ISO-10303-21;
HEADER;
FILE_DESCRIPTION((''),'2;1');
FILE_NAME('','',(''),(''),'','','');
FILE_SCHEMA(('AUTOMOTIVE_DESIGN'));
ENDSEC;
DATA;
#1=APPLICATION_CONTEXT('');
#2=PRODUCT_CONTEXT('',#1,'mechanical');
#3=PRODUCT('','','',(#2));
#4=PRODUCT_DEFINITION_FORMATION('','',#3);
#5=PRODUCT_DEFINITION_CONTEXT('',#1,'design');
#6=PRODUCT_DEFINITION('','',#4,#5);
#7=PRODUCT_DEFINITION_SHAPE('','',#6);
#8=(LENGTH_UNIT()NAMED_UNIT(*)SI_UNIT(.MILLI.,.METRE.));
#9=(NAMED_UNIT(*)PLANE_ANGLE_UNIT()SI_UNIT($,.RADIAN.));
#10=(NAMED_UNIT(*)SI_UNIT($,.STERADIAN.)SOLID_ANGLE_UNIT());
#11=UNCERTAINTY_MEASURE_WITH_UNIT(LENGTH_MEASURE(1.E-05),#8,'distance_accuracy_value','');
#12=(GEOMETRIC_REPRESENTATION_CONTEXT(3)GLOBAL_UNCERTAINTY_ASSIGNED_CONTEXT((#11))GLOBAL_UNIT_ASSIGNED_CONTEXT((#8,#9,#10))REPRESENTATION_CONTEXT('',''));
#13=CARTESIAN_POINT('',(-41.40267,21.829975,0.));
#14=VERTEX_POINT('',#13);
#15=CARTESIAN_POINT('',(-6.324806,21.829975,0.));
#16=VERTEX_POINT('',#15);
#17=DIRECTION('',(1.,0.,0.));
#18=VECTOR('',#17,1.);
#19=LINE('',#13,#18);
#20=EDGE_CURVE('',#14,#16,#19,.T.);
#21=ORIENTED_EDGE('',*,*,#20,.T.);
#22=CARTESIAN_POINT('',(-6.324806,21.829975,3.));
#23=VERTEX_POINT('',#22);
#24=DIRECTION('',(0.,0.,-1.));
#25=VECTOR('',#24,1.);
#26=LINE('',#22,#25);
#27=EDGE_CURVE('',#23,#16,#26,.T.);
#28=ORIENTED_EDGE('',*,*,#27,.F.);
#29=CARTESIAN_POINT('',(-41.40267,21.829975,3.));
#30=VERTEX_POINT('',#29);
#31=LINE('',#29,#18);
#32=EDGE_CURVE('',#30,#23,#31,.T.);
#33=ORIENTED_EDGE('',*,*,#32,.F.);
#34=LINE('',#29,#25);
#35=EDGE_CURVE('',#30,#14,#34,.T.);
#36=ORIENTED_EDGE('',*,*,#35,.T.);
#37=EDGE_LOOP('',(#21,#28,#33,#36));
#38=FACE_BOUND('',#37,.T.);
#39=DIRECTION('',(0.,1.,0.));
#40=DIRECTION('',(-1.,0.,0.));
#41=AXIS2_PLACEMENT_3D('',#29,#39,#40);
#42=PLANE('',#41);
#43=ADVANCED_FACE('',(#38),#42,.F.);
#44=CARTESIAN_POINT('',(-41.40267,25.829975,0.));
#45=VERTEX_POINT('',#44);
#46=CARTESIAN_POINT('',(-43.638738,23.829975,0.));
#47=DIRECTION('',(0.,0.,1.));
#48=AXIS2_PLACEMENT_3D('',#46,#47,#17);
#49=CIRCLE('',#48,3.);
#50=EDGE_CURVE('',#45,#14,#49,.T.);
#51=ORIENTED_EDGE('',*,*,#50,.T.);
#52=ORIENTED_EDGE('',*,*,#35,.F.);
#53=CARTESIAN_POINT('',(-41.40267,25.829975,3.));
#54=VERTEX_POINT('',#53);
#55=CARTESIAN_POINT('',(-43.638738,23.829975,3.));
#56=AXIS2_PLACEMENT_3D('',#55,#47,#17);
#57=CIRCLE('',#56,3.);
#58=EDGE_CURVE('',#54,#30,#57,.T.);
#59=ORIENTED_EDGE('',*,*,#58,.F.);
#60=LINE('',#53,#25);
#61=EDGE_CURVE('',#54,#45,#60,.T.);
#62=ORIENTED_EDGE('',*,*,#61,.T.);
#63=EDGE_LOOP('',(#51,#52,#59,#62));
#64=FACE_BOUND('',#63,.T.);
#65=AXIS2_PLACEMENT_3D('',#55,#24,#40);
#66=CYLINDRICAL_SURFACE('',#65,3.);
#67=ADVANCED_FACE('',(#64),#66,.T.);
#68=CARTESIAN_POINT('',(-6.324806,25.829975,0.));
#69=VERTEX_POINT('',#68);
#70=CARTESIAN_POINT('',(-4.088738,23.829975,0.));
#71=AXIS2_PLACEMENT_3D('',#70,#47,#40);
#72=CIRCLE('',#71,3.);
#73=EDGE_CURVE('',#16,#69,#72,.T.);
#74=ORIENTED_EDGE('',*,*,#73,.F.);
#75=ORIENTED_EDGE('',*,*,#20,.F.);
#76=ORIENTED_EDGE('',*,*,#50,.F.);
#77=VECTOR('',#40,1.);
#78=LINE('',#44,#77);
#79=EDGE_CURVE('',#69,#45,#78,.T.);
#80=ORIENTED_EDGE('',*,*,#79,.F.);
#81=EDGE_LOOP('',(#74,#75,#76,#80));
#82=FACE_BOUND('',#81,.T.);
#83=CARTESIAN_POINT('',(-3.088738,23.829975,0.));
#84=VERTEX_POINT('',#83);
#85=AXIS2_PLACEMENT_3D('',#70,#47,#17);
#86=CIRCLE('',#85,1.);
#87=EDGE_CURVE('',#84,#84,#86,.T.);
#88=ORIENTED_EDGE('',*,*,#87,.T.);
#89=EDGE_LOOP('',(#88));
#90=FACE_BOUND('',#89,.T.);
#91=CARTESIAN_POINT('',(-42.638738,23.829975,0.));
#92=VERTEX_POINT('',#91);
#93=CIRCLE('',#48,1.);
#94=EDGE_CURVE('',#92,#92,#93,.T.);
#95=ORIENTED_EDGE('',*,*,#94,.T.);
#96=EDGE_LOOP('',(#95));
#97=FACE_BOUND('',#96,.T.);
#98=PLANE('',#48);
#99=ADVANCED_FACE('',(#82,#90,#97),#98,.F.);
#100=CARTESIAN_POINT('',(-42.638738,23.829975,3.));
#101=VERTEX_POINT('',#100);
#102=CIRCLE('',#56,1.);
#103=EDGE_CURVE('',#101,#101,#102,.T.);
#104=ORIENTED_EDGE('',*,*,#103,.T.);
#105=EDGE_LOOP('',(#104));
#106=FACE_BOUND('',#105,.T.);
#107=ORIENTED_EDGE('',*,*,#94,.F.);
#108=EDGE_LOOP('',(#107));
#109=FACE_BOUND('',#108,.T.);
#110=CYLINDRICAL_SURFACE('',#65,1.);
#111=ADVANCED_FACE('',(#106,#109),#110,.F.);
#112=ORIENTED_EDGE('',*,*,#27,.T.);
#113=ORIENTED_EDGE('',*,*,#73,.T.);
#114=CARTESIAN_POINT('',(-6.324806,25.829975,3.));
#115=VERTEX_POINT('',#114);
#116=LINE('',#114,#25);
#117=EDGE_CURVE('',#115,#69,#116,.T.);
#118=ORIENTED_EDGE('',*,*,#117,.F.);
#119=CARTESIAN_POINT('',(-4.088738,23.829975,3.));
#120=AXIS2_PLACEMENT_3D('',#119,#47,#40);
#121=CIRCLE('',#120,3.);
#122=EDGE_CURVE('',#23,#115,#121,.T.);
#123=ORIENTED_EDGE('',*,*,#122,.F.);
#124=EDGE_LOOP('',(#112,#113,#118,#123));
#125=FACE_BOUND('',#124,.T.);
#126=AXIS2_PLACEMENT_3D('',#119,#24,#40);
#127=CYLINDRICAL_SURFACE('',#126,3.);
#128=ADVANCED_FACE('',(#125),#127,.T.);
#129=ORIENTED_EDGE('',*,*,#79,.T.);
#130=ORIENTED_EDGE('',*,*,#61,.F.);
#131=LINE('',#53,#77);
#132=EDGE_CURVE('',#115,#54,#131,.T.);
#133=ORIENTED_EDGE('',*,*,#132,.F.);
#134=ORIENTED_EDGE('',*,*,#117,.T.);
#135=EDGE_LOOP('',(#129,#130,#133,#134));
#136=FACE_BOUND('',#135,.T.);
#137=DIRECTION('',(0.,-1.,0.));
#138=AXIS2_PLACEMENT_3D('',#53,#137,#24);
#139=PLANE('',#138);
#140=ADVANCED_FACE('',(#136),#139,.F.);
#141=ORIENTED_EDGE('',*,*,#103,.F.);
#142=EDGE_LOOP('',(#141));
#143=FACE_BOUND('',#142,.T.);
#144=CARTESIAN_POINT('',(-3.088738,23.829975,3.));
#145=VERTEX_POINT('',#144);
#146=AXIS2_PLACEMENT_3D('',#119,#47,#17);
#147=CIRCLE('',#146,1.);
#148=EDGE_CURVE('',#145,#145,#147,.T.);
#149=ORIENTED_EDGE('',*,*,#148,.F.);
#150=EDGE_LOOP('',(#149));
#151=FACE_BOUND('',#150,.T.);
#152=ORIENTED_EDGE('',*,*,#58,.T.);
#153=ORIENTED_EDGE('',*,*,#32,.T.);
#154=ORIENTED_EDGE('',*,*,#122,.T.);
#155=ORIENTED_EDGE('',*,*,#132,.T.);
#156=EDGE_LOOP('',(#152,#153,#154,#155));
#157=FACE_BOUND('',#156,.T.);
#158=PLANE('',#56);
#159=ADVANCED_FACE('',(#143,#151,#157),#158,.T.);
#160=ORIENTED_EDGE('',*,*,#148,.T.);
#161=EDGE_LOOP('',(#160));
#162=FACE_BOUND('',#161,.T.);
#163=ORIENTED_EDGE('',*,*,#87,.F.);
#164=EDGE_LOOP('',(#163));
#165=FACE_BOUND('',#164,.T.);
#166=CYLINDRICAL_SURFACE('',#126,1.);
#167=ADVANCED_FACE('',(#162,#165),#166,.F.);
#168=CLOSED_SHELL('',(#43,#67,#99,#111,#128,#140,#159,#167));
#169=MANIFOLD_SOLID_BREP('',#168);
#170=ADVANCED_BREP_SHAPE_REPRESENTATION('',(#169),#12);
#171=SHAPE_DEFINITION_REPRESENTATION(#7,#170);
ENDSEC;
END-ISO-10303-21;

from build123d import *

# Parameters (mm, degrees)
SKETCH1_R           = 1
BOSS_EXTRUDE1_DEPTH = 3


with BuildPart() as part:
    # Sketch1 → Boss-Extrude1 (new body)
    with BuildSketch(Plane.XY):
        with BuildLine():
            Line((-41.402670324, 25.829974552), (-6.324806279, 25.829974552))
            ThreePointArc((-6.324806279, 25.829974552), (-1.088738302, 23.829974552), (-6.324806279, 21.829974552))
            Line((-6.324806279, 21.829974552), (-41.402670324, 21.829974552))
            ThreePointArc((-41.402670324, 21.829974552), (-46.638738302, 23.829974552), (-41.402670324, 25.829974552))
        make_face()
        with Locations((-4.088738302, 23.829974552)):
            Circle(SKETCH1_R, mode=Mode.SUBTRACT)
        with Locations((-43.638738302, 23.829974552)):
            Circle(SKETCH1_R, mode=Mode.SUBTRACT)
    extrude(amount=BOSS_EXTRUDE1_DEPTH)


solid = part.part
